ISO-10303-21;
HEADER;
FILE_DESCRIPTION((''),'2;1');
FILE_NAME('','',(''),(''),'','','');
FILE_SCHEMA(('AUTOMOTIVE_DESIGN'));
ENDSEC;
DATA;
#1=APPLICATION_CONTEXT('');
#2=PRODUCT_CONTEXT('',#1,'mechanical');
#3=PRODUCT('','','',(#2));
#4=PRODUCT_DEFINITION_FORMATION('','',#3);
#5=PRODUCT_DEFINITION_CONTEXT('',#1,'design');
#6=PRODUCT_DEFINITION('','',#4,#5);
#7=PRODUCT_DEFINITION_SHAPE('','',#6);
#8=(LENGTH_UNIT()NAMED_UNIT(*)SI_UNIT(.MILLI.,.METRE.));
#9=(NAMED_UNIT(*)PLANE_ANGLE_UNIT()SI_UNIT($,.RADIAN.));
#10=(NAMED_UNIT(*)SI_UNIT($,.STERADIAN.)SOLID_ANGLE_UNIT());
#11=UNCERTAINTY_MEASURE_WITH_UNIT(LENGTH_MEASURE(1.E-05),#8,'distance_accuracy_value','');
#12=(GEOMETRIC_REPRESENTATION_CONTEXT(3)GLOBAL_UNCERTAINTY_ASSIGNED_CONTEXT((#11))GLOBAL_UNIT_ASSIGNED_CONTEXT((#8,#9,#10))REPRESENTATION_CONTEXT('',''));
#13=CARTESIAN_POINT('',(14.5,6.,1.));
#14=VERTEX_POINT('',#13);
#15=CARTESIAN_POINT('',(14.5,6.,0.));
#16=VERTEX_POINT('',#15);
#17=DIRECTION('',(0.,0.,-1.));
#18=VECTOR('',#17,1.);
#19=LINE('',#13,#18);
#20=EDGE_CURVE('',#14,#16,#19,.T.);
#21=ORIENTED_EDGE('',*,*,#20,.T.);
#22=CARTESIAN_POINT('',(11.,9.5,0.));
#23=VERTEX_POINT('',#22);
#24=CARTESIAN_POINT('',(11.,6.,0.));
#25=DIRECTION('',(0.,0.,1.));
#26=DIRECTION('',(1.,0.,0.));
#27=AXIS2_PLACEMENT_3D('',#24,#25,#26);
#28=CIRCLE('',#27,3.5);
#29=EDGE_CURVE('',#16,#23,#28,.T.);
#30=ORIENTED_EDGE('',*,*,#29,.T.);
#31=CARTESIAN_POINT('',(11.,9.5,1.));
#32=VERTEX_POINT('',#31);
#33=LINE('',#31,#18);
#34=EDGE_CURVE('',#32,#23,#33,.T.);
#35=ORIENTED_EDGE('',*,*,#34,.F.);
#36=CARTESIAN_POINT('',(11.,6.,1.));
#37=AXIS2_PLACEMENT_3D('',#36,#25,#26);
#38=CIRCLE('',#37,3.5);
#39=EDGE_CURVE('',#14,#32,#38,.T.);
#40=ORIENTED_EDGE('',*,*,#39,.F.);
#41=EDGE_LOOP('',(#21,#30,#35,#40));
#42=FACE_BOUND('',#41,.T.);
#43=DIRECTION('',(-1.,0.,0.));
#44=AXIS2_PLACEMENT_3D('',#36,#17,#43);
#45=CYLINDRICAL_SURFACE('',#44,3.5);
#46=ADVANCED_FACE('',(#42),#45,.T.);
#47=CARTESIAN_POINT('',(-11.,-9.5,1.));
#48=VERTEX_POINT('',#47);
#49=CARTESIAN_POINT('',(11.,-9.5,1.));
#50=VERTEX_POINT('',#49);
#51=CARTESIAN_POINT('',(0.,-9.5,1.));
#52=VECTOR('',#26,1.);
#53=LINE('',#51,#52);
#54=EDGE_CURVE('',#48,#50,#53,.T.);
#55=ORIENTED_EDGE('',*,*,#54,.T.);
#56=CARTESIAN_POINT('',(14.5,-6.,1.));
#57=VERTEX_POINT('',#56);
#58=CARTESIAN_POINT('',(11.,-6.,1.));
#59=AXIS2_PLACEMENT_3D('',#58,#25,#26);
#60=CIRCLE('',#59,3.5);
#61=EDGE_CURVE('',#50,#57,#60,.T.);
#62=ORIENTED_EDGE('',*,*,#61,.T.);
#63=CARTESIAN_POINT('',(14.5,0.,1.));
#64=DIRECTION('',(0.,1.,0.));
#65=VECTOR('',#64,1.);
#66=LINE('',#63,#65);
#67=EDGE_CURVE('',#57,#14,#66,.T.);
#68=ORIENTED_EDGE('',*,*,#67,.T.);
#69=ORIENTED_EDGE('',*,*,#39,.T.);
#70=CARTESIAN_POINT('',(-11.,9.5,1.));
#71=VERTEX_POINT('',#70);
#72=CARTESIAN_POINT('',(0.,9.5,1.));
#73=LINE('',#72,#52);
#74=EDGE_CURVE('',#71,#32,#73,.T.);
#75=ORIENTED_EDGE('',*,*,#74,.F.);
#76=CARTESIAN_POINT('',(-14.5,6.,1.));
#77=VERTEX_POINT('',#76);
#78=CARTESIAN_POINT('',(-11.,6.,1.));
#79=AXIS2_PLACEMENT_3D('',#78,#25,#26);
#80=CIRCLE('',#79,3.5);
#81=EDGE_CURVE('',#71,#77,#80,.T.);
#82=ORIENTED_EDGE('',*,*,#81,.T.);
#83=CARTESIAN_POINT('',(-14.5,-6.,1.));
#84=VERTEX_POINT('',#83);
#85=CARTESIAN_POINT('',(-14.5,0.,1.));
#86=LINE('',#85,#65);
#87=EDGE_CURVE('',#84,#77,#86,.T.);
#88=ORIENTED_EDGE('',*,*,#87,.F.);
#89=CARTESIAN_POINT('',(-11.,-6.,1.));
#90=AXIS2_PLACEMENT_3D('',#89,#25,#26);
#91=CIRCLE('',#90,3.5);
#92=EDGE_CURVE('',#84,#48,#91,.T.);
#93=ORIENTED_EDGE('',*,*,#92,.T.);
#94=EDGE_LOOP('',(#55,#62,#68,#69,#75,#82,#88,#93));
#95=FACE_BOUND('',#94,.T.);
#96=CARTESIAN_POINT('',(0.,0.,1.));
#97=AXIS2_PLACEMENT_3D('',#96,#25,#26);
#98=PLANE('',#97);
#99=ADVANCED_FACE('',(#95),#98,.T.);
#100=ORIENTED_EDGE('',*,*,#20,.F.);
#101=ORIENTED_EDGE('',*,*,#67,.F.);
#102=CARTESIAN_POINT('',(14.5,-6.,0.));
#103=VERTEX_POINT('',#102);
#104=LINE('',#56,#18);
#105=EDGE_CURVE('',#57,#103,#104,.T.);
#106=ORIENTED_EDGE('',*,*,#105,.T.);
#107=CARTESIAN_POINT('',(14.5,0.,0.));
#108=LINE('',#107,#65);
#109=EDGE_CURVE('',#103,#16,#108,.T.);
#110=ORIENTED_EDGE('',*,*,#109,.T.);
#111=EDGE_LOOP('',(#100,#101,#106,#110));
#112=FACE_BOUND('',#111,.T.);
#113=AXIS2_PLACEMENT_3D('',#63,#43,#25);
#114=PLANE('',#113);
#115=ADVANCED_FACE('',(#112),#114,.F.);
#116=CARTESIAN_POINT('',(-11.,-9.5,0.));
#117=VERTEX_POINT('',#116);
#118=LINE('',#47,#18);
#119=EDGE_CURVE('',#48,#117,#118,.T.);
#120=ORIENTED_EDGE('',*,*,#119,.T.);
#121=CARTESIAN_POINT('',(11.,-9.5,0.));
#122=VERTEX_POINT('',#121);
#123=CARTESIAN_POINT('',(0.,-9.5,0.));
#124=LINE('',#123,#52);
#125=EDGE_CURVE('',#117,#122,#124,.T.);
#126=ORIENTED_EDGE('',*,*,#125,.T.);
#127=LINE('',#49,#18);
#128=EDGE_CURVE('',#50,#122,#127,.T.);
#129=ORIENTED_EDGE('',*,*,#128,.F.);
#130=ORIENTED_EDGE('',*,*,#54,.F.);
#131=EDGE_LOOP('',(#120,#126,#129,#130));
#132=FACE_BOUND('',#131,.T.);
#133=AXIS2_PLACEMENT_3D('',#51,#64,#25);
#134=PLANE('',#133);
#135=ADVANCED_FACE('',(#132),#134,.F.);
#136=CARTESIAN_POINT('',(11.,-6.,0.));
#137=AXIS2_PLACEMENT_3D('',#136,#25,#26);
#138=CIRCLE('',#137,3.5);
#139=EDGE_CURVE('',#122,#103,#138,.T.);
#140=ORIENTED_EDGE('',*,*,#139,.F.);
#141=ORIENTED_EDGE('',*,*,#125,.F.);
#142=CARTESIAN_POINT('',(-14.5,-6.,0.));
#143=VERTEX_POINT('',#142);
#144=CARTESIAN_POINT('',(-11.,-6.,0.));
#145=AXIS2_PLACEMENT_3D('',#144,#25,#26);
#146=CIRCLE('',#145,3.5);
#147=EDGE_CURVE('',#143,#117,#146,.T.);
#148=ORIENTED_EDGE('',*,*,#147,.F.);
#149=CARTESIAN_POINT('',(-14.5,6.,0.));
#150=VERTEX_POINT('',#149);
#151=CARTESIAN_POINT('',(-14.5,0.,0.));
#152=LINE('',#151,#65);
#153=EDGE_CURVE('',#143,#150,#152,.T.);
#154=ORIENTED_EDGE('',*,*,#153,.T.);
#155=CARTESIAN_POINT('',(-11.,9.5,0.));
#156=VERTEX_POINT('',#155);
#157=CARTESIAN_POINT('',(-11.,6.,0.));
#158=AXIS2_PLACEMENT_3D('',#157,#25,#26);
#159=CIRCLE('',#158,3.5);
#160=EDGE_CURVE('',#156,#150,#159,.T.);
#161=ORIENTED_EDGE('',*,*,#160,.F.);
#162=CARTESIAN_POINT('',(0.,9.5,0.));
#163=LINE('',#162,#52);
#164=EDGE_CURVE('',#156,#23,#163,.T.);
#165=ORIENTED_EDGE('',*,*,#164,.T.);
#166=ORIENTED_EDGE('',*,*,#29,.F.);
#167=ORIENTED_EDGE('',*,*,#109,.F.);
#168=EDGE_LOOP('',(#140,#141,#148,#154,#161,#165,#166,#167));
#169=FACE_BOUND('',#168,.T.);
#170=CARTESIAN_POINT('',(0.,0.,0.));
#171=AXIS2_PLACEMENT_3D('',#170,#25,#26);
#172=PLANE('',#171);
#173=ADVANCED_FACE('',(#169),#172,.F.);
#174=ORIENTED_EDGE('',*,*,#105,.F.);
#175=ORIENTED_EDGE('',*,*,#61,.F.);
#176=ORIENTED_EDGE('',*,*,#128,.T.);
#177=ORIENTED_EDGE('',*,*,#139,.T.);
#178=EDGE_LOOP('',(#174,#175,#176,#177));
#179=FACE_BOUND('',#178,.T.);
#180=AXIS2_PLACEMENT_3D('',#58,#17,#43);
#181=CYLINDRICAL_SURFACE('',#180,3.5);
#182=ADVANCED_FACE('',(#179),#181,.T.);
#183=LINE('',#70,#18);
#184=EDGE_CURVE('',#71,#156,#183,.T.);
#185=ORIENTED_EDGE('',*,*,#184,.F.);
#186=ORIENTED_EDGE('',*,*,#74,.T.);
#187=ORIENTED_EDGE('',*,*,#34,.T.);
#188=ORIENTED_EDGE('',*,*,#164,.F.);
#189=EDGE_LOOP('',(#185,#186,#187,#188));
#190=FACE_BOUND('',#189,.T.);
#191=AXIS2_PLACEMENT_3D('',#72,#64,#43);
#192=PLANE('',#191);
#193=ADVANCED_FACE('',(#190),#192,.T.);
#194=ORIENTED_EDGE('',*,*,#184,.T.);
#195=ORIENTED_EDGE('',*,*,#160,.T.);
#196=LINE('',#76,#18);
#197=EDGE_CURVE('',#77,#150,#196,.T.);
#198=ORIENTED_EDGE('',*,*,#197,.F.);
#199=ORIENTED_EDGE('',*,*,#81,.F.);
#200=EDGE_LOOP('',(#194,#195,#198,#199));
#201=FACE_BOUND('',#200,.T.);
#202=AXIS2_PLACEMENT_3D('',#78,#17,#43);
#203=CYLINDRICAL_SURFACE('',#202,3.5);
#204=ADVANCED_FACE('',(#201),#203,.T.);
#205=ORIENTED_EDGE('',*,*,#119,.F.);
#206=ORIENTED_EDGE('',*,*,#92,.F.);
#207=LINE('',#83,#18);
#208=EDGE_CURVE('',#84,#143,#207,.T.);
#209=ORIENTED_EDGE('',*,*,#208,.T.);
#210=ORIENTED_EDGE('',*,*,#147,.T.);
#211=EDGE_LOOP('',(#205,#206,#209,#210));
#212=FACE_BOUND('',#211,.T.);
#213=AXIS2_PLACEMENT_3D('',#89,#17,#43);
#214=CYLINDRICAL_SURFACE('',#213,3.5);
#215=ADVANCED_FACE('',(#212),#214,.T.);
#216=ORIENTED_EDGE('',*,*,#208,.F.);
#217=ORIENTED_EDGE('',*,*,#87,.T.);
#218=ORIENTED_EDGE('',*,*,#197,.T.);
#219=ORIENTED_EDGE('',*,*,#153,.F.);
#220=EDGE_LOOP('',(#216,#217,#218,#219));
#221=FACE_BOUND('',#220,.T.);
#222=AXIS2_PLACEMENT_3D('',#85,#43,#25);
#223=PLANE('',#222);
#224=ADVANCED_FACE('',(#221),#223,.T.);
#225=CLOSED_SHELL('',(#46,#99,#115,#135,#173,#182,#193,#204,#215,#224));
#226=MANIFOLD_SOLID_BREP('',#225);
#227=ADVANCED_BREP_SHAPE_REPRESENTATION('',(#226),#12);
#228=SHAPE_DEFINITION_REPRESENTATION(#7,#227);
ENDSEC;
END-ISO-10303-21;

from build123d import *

# Parameters (mm, degrees)
BOSS_EXTRUDE1_DEPTH = 1


with BuildPart() as part:
    # Sketch1 → Boss-Extrude1 (new body)
    with BuildSketch(Plane.XY):
        with BuildLine():
            Line((-14.5, -6), (-14.5, 6))
            ThreePointArc((-14.5, 6), (-13.474873734, 8.474873734), (-11, 9.5))
            Line((-11, 9.5), (11, 9.5))
            ThreePointArc((11, 9.5), (13.474873734, 8.474873734), (14.5, 6))
            Line((14.5, 6), (14.5, -6))
            ThreePointArc((14.5, -6), (13.474873734, -8.474873734), (11, -9.5))
            Line((11, -9.5), (-11, -9.5))
            ThreePointArc((-11, -9.5), (-13.474873734, -8.474873734), (-14.5, -6))
        make_face()
    extrude(amount=BOSS_EXTRUDE1_DEPTH)


solid = part.part
